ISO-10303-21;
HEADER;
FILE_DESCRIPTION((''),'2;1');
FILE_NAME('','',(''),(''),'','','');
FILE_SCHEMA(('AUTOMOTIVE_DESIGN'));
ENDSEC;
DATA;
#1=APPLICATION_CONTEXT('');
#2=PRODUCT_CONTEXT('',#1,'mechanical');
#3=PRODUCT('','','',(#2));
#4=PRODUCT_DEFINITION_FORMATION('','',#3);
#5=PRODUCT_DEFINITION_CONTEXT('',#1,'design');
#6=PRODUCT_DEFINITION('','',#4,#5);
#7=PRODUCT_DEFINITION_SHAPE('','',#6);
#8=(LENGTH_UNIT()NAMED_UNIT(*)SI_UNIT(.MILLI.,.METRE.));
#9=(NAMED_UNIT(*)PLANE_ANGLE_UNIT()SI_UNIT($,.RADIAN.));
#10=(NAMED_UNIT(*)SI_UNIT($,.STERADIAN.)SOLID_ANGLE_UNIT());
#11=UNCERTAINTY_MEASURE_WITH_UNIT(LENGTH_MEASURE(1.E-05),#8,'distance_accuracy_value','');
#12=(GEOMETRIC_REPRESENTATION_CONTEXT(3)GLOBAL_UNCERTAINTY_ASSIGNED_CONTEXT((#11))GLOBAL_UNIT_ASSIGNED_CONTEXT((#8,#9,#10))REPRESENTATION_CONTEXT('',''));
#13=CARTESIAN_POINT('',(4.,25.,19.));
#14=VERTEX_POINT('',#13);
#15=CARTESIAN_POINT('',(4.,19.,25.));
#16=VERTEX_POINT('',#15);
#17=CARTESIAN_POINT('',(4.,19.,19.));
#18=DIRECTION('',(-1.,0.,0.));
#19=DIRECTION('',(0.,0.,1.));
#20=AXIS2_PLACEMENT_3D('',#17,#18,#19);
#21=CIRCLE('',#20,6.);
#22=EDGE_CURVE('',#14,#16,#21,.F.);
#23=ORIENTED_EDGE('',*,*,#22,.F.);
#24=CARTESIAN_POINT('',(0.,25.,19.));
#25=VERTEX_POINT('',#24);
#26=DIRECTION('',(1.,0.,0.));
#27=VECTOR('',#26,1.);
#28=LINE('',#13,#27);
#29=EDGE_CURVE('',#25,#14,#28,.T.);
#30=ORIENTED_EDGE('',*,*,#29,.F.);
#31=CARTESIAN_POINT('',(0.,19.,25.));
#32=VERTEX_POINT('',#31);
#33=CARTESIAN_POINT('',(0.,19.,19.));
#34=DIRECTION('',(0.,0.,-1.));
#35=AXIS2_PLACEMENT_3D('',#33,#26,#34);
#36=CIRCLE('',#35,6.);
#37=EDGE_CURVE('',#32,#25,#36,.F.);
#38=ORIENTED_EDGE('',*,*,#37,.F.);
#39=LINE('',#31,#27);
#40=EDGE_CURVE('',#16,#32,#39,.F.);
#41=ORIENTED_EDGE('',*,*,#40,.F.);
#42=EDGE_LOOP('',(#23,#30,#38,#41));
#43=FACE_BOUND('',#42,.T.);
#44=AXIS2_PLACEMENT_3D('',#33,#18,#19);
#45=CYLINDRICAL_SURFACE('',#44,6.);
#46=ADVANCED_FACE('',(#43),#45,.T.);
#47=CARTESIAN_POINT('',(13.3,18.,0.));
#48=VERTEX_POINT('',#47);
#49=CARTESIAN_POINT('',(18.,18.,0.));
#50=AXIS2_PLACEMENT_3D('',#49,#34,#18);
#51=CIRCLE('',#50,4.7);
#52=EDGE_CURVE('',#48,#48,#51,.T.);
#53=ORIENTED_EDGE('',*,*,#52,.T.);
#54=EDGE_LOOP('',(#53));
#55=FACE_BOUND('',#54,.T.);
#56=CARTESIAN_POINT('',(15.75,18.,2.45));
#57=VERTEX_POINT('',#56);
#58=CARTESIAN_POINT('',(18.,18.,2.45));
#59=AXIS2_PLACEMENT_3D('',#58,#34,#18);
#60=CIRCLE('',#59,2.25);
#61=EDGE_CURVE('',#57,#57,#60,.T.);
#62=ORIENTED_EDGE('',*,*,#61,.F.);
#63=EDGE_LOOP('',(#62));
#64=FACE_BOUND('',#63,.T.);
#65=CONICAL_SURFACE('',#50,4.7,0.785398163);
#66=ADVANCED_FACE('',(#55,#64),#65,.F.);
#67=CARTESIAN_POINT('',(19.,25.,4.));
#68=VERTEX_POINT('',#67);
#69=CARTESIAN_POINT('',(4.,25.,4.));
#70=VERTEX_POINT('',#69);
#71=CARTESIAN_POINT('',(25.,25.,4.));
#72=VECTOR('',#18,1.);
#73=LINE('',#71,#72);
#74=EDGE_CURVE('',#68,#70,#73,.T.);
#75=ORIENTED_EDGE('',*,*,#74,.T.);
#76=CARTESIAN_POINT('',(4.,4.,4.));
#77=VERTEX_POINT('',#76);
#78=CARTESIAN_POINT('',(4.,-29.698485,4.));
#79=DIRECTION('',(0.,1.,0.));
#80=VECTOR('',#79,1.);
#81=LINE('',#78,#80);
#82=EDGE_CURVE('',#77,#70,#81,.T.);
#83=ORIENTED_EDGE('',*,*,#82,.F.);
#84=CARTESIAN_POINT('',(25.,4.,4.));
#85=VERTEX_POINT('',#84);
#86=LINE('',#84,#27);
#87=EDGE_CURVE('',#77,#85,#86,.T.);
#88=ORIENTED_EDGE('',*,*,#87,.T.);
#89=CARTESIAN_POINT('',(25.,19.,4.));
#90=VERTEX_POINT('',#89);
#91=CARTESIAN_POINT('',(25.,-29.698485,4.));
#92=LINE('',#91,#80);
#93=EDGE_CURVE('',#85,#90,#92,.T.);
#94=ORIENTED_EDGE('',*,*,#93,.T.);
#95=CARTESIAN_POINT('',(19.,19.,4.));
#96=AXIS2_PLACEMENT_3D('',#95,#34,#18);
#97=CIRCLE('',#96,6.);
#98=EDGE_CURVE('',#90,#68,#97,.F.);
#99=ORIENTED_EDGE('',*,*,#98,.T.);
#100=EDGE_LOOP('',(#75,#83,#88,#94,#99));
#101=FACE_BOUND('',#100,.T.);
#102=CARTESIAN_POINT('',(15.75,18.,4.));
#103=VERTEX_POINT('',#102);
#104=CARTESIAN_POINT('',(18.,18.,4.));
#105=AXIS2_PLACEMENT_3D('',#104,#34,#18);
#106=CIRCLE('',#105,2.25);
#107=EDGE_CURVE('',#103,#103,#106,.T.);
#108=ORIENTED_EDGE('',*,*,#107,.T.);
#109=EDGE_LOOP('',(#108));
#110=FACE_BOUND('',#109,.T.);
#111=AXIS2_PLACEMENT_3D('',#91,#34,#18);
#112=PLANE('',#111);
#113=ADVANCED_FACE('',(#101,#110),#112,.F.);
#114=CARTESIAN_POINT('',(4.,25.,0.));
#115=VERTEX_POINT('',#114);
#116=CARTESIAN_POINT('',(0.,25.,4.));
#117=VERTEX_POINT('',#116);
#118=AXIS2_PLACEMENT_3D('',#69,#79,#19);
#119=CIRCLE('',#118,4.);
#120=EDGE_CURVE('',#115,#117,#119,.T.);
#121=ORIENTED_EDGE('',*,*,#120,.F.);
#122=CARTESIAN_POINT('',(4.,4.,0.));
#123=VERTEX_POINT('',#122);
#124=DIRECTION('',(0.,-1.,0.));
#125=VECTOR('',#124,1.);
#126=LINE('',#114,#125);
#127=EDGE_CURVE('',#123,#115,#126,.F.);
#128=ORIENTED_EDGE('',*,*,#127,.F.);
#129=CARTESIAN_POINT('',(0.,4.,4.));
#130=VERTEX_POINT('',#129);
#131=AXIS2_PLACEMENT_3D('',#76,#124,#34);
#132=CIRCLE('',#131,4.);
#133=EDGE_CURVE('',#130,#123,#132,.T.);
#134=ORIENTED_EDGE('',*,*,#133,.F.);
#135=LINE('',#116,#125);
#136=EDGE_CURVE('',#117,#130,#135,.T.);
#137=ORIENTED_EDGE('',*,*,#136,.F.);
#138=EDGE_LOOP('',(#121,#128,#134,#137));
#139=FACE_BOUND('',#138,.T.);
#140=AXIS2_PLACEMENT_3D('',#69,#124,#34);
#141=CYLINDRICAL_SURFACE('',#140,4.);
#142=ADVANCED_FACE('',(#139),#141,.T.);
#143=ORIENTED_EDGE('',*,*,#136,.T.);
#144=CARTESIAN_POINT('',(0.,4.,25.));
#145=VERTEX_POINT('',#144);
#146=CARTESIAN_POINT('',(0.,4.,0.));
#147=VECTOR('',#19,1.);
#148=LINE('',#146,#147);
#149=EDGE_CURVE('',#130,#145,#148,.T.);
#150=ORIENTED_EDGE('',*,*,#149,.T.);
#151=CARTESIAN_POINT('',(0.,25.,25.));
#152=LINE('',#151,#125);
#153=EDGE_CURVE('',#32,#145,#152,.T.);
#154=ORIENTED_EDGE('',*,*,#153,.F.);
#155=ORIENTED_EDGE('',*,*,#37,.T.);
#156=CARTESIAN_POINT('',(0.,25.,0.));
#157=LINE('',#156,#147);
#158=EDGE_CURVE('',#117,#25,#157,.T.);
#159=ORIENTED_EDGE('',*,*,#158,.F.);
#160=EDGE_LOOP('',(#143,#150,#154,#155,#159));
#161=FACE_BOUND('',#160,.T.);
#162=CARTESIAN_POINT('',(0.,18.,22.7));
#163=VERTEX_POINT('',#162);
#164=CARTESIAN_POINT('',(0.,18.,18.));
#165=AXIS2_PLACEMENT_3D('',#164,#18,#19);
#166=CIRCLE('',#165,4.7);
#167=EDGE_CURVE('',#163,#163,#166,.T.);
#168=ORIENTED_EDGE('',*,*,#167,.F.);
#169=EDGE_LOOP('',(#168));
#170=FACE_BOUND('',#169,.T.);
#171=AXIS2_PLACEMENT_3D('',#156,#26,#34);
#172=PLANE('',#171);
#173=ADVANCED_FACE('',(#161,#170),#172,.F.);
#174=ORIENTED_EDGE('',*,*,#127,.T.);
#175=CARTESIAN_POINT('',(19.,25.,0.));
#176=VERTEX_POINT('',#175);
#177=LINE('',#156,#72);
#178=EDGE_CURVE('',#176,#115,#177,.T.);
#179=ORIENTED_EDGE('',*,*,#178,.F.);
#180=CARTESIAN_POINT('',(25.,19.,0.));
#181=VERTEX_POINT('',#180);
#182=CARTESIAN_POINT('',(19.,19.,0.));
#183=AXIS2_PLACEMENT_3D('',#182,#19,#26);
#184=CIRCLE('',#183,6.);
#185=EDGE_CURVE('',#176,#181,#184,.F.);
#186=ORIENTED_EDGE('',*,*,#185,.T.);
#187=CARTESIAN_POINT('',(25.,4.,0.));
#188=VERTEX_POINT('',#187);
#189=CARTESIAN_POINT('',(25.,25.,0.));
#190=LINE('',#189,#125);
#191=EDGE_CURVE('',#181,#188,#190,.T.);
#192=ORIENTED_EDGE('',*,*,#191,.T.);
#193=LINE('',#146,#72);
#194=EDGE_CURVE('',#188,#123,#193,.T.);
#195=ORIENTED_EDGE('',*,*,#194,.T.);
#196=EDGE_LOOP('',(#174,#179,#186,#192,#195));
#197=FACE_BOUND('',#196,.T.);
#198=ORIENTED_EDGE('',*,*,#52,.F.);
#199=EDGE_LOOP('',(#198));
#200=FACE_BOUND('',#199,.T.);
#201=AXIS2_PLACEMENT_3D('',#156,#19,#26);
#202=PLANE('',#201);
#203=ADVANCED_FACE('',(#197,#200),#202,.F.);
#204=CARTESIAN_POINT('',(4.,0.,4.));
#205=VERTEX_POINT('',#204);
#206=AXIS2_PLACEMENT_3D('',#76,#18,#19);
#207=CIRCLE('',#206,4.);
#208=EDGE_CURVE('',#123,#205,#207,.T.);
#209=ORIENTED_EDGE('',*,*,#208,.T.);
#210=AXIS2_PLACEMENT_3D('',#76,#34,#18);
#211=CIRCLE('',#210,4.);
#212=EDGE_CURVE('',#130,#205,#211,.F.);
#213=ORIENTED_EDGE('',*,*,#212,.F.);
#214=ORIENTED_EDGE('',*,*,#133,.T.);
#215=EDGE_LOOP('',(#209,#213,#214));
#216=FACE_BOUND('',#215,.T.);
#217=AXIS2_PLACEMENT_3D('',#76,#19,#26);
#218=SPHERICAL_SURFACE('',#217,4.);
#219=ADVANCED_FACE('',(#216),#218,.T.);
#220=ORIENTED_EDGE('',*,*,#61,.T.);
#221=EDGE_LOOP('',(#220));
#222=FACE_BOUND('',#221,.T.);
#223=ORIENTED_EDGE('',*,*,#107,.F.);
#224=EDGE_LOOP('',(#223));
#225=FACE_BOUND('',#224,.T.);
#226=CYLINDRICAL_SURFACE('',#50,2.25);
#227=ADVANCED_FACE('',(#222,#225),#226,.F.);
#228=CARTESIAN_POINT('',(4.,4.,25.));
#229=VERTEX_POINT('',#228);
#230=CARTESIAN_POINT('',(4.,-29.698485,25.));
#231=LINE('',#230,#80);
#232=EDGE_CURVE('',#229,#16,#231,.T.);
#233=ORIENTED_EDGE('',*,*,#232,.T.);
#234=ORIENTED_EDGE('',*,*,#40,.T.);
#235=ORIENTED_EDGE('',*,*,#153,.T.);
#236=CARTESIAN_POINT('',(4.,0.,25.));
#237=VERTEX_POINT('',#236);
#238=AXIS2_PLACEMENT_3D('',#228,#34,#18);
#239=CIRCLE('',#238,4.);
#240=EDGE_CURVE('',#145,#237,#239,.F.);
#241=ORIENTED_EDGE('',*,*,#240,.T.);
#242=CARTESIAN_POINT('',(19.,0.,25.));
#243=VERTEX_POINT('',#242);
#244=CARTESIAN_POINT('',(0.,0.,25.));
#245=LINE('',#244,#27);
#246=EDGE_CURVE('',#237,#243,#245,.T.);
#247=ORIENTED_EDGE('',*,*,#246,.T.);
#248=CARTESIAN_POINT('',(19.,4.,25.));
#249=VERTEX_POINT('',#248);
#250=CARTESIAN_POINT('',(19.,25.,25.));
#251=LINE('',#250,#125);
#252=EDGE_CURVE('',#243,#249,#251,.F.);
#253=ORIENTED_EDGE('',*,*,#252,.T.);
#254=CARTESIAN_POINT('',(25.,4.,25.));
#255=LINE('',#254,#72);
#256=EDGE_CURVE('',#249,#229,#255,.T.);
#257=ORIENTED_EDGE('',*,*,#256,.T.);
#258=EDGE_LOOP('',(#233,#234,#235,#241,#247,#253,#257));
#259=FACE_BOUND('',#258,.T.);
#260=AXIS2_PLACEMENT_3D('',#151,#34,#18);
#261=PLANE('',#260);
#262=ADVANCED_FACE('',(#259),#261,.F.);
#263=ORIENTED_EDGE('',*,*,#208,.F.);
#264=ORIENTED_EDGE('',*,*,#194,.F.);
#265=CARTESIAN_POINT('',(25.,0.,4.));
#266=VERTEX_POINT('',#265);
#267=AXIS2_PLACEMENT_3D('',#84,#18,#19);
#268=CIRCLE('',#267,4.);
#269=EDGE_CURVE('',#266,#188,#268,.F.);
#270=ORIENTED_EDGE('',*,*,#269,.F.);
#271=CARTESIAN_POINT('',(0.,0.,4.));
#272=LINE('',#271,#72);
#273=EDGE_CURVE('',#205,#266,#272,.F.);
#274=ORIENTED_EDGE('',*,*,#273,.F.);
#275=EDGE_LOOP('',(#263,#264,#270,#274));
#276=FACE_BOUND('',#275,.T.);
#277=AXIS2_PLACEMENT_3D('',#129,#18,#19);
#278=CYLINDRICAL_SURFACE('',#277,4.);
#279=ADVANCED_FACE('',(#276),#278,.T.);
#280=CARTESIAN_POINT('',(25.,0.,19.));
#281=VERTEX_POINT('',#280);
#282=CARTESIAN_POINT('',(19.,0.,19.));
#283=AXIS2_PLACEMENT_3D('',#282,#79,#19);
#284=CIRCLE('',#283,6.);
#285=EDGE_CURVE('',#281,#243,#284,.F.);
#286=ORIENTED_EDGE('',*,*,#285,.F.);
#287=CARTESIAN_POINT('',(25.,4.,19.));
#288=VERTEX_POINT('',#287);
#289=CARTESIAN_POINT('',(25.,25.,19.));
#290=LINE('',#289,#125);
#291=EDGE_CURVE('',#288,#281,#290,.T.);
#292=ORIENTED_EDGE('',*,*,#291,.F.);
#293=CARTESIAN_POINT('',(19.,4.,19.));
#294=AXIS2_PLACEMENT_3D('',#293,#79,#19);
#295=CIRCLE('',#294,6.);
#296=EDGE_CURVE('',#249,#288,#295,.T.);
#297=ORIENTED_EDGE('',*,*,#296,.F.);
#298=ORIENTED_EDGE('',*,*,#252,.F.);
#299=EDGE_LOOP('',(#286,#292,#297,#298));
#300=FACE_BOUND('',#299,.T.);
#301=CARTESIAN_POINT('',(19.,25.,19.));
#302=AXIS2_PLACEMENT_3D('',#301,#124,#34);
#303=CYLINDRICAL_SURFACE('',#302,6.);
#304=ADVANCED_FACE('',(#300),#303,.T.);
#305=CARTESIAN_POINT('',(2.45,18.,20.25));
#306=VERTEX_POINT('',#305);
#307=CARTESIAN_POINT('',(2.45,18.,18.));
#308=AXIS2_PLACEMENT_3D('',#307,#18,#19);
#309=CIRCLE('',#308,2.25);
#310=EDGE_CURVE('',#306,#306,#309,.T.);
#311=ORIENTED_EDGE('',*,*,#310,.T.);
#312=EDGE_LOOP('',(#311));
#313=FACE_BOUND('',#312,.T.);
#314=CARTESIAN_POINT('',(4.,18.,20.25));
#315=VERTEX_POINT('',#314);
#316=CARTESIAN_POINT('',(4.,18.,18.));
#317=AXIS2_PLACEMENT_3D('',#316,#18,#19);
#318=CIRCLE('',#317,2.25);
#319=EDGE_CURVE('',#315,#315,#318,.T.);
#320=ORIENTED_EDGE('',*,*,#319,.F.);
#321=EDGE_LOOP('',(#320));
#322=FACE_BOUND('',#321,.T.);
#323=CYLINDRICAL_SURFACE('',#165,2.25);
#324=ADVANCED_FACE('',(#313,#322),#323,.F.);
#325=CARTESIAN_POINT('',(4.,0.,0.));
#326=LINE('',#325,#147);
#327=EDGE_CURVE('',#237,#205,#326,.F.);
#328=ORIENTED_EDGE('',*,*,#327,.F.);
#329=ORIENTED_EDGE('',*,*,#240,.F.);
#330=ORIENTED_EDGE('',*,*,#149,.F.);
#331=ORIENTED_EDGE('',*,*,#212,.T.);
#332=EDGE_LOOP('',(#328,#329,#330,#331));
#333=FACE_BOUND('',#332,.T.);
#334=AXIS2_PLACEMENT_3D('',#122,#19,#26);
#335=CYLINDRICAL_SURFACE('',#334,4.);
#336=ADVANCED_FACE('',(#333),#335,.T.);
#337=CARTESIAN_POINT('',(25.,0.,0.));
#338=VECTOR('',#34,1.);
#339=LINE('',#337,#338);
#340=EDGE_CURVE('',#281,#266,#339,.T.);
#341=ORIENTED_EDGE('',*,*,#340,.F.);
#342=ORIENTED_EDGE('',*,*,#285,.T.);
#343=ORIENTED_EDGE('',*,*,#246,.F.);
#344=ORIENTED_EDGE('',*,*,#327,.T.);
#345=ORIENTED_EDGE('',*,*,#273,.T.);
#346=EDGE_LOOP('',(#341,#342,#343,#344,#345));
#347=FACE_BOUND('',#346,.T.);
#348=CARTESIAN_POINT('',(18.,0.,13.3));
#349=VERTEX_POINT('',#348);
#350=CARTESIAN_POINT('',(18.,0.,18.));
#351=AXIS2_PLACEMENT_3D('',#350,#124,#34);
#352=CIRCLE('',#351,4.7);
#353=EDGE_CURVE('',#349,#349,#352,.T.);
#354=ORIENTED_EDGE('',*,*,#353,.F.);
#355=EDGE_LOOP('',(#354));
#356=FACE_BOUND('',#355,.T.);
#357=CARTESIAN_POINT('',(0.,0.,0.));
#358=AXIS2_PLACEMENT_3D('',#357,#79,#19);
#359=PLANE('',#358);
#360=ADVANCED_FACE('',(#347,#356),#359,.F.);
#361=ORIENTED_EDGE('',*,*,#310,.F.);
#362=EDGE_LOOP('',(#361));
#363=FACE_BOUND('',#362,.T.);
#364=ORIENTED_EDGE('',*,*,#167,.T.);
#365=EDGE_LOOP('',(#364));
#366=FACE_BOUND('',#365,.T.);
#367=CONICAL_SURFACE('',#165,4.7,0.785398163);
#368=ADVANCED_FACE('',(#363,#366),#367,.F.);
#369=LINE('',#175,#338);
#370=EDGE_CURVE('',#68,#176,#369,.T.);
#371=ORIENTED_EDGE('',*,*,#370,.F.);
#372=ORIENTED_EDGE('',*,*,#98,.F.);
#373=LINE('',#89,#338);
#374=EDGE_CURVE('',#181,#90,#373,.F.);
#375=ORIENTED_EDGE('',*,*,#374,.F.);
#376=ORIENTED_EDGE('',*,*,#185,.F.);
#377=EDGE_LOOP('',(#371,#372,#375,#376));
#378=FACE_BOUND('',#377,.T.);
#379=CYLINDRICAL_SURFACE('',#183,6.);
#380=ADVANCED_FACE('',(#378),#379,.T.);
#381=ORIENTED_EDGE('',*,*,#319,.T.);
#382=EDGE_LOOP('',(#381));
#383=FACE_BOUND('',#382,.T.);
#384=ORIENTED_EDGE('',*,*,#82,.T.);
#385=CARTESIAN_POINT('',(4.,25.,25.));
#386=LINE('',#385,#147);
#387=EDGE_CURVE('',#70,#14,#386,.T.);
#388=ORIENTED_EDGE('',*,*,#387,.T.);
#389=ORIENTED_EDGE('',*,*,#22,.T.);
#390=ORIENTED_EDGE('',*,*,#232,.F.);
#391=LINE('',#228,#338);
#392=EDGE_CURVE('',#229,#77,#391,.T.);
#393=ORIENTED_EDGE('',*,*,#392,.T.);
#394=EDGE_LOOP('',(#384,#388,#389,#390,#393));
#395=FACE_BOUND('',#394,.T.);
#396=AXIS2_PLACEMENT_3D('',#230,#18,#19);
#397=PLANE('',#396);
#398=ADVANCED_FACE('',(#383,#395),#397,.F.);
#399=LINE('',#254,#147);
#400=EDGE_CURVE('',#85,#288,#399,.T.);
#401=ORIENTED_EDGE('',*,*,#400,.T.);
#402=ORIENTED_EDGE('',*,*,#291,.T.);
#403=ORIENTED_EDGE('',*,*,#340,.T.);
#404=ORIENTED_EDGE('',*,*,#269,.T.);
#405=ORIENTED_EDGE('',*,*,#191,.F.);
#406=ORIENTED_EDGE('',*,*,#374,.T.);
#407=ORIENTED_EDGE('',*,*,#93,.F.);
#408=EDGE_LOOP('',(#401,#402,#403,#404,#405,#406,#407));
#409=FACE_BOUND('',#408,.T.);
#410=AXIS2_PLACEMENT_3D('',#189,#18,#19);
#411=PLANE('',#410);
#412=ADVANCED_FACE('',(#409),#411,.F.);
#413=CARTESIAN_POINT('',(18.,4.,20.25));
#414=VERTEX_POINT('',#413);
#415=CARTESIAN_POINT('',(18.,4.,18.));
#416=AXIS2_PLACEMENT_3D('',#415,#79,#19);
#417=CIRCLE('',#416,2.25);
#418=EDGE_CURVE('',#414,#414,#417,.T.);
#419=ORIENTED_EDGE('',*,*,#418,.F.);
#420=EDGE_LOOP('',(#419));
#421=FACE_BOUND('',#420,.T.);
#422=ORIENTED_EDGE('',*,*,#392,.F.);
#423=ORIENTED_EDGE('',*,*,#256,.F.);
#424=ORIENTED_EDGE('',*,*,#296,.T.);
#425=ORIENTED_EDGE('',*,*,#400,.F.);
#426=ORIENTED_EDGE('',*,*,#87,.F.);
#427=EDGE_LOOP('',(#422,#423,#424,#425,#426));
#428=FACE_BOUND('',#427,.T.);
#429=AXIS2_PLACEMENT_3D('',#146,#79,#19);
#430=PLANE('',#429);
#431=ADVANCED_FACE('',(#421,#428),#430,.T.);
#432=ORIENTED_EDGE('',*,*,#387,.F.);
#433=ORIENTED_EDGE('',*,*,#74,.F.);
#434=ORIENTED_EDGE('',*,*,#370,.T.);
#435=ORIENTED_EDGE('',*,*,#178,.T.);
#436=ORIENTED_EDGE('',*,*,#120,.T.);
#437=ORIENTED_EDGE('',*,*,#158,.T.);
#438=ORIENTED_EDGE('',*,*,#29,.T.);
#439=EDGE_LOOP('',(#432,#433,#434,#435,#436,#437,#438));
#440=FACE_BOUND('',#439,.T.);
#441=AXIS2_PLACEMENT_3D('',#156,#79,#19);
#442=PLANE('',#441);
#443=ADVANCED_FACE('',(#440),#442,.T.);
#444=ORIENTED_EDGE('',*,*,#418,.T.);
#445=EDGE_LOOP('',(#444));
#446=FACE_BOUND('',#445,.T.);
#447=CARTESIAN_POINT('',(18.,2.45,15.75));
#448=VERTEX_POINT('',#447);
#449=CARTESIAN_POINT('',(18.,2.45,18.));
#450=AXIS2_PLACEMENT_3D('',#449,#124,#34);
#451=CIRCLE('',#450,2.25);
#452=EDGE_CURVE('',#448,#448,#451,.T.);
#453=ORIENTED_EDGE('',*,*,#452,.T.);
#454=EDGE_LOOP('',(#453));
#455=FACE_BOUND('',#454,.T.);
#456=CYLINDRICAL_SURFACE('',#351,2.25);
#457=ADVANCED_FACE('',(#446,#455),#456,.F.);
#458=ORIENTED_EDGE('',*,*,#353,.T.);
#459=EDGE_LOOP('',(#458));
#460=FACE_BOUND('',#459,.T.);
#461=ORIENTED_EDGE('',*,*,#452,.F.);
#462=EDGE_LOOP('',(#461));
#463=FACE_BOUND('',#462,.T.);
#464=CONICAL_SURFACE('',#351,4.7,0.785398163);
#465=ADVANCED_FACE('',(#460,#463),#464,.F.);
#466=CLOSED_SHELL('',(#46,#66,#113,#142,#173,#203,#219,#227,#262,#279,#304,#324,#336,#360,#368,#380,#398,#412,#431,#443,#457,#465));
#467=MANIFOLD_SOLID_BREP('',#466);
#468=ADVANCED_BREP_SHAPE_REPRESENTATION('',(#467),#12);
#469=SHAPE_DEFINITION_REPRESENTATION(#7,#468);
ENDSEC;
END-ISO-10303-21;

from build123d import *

# Parameters (mm, degrees)
SKETCH1_W           = 25
SKETCH1_H           = 25
BOSS_EXTRUDE1_DEPTH = 25
SKETCH2_W           = 21
SKETCH2_H           = 21
CUT_EXTRUDE1_DEPTH  = 21
FILLET1_R           = 6
FILLET2_R           = 4


with BuildPart() as part:
    # Sketch1 → Boss-Extrude1 (new body)
    with BuildSketch(Plane(origin=(0, 0, 0), x_dir=(1, 0, 0), z_dir=(0, 1, 0))):
        with Locations((12.5, -12.5)):
            Rectangle(SKETCH1_W, SKETCH1_H)
    extrude(amount=BOSS_EXTRUDE1_DEPTH)

    # Sketch2 → Cut-Extrude1 (cut)
    with BuildSketch(Plane(origin=(0, 25, 0), x_dir=(1, 0, 0), z_dir=(0, 1, 0))):
        with Locations((14.5, -14.5)):
            Rectangle(SKETCH2_W, SKETCH2_H)
    extrude(amount=-CUT_EXTRUDE1_DEPTH, mode=Mode.SUBTRACT)

    # Fillet1
    fillet1_edges = [part.edges().sort_by_distance(p)[0] for p in [
        (25, 25, 2),
        (25, 2, 25),
        (2, 25, 25),
    ]]
    fillet(fillet1_edges, radius=FILLET1_R)

    # Sketch4 → CSK for M4 Countersunk Flat Head Screw2 (revolve, cut)
    with BuildSketch(Plane(origin=(18, 18, 0), x_dir=(0, 1, 0), z_dir=(1, 0, 0))):
        Polygon((0, 0), (0, 4), (2.25, 4), (2.25, 2.45), (4.7, 0), align=None)
    revolve(axis=Axis((18, 18, -6.35), (0, 0, 1)), mode=Mode.SUBTRACT)

    # Sketch4 at point 2 (carried to point 2, square into its face) → CSK for M4 Countersunk Flat Head Scr 2 (revolve, cut)
    with BuildSketch(Plane(origin=(0, 18, 18), x_dir=(0, 1, 0), z_dir=(0, 0, -1))):
        Polygon((0, 0), (0, 4), (2.25, 4), (2.25, 2.45), (4.7, 0), align=None)
    revolve(axis=Axis((-6.35, 18, 18), (1, 0, 0)), mode=Mode.SUBTRACT)

    # Sketch4 at point 3 (carried to point 3, square into its face) → CSK for M4 Countersunk Flat Head Scr 3 (revolve, cut)
    with BuildSketch(Plane(origin=(18, 0, 18), x_dir=(0, 0, -1), z_dir=(1, 0, 0))):
        Polygon((0, 0), (0, 4), (2.25, 4), (2.25, 2.45), (4.7, 0), align=None)
    revolve(axis=Axis((18, -6.35, 18), (0, 1, 0)), mode=Mode.SUBTRACT)

    # Fillet2
    fillet2_edges = [part.edges().sort_by_distance(p)[0] for p in [
        (12.5, 0, 0),
        (0, 0, 12.5),
        (0, 12.5, 0),
    ]]
    fillet(fillet2_edges, radius=FILLET2_R)


solid = part.part
